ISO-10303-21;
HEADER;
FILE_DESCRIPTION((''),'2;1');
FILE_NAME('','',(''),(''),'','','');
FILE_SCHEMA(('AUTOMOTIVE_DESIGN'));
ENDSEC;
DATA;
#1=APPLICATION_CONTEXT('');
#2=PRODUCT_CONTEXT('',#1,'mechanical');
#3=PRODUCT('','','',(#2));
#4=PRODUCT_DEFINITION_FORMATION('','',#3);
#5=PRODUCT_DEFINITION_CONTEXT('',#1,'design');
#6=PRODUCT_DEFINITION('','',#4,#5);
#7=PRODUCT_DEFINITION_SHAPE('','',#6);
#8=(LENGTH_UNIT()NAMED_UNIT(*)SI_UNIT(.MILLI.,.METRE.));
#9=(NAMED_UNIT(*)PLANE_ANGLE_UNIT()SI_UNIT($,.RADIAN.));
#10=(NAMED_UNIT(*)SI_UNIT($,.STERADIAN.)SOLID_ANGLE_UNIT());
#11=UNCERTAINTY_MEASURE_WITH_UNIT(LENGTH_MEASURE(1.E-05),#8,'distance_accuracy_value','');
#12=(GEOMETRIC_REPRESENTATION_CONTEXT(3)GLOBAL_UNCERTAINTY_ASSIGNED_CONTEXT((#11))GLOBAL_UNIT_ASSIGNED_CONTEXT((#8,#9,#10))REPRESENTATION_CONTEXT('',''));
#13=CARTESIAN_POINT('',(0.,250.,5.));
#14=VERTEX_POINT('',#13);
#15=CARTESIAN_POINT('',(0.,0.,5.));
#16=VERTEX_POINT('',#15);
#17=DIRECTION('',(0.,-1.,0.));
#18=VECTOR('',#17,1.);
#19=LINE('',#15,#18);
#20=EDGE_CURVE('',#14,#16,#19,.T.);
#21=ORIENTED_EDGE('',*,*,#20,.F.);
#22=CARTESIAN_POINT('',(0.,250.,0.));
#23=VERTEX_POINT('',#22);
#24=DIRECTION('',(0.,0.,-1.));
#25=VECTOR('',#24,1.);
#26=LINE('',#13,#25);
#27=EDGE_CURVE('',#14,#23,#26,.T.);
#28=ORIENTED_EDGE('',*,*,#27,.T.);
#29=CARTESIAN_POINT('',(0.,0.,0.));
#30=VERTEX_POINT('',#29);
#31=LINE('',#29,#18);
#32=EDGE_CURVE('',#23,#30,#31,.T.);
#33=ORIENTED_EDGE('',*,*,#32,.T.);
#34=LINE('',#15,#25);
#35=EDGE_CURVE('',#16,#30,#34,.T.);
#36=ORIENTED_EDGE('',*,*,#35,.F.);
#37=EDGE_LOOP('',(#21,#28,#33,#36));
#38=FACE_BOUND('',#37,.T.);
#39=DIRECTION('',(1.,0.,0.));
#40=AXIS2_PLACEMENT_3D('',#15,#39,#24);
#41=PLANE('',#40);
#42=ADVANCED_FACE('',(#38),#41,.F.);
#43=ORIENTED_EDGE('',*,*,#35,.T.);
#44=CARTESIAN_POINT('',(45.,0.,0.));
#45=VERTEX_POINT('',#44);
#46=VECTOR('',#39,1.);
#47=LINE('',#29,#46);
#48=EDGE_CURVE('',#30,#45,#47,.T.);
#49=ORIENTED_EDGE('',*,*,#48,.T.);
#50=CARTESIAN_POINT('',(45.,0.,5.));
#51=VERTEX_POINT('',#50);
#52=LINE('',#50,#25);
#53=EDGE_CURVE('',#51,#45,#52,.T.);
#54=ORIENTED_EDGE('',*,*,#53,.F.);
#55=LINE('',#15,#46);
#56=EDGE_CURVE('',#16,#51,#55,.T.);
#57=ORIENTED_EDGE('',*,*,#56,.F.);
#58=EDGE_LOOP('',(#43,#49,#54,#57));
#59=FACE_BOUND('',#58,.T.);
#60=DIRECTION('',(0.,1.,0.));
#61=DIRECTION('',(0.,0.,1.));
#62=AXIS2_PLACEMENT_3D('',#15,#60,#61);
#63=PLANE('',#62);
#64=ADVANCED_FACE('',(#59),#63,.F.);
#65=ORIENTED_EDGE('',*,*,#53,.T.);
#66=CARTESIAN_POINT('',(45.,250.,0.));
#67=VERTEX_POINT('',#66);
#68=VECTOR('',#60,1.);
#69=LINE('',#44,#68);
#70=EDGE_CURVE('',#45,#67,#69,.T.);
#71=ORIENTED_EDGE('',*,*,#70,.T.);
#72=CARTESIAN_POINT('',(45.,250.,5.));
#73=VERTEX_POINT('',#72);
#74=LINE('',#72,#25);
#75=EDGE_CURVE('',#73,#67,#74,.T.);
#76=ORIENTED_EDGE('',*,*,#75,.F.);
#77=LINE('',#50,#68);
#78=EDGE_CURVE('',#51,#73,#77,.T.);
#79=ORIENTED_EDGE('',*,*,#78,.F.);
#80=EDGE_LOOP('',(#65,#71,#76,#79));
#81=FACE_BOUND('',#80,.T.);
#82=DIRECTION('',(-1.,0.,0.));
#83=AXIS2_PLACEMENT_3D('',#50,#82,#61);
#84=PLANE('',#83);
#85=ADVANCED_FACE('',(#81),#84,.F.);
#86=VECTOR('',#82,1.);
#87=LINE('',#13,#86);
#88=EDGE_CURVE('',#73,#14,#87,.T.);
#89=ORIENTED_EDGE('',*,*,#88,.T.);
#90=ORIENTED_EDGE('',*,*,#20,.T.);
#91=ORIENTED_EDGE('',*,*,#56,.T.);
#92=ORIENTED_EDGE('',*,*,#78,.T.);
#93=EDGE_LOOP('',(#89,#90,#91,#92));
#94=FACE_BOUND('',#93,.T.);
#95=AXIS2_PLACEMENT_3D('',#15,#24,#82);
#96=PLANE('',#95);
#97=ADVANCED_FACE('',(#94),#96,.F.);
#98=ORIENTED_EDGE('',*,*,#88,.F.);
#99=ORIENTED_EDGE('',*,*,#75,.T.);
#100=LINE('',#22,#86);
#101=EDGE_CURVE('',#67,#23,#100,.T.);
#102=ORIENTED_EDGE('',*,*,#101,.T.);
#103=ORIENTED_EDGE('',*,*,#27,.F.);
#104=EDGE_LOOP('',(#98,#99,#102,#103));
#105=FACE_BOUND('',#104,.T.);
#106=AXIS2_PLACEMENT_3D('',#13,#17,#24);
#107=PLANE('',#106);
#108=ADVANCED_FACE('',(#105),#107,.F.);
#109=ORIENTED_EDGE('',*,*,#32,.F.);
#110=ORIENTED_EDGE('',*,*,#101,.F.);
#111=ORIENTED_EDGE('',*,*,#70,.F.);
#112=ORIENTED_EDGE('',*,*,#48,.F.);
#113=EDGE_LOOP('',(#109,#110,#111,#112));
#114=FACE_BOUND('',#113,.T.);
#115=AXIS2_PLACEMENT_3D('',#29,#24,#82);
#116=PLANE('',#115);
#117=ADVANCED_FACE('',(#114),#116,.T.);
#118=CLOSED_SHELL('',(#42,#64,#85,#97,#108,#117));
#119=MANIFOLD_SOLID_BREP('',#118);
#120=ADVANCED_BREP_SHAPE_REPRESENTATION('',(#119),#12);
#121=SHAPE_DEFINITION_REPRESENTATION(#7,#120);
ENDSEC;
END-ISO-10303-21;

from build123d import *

# Parameters (mm, degrees)
ESQUISSE1_W        = 45
ESQUISSE1_H        = 250
BOSS_EXTRU_1_DEPTH = 5


with BuildPart() as part:
    # Esquisse1 → Boss.-Extru.1 (new body)
    with BuildSketch(Plane.XY):
        with Locations((22.5, 125)):
            Rectangle(ESQUISSE1_W, ESQUISSE1_H)
    extrude(amount=BOSS_EXTRU_1_DEPTH)


solid = part.part
